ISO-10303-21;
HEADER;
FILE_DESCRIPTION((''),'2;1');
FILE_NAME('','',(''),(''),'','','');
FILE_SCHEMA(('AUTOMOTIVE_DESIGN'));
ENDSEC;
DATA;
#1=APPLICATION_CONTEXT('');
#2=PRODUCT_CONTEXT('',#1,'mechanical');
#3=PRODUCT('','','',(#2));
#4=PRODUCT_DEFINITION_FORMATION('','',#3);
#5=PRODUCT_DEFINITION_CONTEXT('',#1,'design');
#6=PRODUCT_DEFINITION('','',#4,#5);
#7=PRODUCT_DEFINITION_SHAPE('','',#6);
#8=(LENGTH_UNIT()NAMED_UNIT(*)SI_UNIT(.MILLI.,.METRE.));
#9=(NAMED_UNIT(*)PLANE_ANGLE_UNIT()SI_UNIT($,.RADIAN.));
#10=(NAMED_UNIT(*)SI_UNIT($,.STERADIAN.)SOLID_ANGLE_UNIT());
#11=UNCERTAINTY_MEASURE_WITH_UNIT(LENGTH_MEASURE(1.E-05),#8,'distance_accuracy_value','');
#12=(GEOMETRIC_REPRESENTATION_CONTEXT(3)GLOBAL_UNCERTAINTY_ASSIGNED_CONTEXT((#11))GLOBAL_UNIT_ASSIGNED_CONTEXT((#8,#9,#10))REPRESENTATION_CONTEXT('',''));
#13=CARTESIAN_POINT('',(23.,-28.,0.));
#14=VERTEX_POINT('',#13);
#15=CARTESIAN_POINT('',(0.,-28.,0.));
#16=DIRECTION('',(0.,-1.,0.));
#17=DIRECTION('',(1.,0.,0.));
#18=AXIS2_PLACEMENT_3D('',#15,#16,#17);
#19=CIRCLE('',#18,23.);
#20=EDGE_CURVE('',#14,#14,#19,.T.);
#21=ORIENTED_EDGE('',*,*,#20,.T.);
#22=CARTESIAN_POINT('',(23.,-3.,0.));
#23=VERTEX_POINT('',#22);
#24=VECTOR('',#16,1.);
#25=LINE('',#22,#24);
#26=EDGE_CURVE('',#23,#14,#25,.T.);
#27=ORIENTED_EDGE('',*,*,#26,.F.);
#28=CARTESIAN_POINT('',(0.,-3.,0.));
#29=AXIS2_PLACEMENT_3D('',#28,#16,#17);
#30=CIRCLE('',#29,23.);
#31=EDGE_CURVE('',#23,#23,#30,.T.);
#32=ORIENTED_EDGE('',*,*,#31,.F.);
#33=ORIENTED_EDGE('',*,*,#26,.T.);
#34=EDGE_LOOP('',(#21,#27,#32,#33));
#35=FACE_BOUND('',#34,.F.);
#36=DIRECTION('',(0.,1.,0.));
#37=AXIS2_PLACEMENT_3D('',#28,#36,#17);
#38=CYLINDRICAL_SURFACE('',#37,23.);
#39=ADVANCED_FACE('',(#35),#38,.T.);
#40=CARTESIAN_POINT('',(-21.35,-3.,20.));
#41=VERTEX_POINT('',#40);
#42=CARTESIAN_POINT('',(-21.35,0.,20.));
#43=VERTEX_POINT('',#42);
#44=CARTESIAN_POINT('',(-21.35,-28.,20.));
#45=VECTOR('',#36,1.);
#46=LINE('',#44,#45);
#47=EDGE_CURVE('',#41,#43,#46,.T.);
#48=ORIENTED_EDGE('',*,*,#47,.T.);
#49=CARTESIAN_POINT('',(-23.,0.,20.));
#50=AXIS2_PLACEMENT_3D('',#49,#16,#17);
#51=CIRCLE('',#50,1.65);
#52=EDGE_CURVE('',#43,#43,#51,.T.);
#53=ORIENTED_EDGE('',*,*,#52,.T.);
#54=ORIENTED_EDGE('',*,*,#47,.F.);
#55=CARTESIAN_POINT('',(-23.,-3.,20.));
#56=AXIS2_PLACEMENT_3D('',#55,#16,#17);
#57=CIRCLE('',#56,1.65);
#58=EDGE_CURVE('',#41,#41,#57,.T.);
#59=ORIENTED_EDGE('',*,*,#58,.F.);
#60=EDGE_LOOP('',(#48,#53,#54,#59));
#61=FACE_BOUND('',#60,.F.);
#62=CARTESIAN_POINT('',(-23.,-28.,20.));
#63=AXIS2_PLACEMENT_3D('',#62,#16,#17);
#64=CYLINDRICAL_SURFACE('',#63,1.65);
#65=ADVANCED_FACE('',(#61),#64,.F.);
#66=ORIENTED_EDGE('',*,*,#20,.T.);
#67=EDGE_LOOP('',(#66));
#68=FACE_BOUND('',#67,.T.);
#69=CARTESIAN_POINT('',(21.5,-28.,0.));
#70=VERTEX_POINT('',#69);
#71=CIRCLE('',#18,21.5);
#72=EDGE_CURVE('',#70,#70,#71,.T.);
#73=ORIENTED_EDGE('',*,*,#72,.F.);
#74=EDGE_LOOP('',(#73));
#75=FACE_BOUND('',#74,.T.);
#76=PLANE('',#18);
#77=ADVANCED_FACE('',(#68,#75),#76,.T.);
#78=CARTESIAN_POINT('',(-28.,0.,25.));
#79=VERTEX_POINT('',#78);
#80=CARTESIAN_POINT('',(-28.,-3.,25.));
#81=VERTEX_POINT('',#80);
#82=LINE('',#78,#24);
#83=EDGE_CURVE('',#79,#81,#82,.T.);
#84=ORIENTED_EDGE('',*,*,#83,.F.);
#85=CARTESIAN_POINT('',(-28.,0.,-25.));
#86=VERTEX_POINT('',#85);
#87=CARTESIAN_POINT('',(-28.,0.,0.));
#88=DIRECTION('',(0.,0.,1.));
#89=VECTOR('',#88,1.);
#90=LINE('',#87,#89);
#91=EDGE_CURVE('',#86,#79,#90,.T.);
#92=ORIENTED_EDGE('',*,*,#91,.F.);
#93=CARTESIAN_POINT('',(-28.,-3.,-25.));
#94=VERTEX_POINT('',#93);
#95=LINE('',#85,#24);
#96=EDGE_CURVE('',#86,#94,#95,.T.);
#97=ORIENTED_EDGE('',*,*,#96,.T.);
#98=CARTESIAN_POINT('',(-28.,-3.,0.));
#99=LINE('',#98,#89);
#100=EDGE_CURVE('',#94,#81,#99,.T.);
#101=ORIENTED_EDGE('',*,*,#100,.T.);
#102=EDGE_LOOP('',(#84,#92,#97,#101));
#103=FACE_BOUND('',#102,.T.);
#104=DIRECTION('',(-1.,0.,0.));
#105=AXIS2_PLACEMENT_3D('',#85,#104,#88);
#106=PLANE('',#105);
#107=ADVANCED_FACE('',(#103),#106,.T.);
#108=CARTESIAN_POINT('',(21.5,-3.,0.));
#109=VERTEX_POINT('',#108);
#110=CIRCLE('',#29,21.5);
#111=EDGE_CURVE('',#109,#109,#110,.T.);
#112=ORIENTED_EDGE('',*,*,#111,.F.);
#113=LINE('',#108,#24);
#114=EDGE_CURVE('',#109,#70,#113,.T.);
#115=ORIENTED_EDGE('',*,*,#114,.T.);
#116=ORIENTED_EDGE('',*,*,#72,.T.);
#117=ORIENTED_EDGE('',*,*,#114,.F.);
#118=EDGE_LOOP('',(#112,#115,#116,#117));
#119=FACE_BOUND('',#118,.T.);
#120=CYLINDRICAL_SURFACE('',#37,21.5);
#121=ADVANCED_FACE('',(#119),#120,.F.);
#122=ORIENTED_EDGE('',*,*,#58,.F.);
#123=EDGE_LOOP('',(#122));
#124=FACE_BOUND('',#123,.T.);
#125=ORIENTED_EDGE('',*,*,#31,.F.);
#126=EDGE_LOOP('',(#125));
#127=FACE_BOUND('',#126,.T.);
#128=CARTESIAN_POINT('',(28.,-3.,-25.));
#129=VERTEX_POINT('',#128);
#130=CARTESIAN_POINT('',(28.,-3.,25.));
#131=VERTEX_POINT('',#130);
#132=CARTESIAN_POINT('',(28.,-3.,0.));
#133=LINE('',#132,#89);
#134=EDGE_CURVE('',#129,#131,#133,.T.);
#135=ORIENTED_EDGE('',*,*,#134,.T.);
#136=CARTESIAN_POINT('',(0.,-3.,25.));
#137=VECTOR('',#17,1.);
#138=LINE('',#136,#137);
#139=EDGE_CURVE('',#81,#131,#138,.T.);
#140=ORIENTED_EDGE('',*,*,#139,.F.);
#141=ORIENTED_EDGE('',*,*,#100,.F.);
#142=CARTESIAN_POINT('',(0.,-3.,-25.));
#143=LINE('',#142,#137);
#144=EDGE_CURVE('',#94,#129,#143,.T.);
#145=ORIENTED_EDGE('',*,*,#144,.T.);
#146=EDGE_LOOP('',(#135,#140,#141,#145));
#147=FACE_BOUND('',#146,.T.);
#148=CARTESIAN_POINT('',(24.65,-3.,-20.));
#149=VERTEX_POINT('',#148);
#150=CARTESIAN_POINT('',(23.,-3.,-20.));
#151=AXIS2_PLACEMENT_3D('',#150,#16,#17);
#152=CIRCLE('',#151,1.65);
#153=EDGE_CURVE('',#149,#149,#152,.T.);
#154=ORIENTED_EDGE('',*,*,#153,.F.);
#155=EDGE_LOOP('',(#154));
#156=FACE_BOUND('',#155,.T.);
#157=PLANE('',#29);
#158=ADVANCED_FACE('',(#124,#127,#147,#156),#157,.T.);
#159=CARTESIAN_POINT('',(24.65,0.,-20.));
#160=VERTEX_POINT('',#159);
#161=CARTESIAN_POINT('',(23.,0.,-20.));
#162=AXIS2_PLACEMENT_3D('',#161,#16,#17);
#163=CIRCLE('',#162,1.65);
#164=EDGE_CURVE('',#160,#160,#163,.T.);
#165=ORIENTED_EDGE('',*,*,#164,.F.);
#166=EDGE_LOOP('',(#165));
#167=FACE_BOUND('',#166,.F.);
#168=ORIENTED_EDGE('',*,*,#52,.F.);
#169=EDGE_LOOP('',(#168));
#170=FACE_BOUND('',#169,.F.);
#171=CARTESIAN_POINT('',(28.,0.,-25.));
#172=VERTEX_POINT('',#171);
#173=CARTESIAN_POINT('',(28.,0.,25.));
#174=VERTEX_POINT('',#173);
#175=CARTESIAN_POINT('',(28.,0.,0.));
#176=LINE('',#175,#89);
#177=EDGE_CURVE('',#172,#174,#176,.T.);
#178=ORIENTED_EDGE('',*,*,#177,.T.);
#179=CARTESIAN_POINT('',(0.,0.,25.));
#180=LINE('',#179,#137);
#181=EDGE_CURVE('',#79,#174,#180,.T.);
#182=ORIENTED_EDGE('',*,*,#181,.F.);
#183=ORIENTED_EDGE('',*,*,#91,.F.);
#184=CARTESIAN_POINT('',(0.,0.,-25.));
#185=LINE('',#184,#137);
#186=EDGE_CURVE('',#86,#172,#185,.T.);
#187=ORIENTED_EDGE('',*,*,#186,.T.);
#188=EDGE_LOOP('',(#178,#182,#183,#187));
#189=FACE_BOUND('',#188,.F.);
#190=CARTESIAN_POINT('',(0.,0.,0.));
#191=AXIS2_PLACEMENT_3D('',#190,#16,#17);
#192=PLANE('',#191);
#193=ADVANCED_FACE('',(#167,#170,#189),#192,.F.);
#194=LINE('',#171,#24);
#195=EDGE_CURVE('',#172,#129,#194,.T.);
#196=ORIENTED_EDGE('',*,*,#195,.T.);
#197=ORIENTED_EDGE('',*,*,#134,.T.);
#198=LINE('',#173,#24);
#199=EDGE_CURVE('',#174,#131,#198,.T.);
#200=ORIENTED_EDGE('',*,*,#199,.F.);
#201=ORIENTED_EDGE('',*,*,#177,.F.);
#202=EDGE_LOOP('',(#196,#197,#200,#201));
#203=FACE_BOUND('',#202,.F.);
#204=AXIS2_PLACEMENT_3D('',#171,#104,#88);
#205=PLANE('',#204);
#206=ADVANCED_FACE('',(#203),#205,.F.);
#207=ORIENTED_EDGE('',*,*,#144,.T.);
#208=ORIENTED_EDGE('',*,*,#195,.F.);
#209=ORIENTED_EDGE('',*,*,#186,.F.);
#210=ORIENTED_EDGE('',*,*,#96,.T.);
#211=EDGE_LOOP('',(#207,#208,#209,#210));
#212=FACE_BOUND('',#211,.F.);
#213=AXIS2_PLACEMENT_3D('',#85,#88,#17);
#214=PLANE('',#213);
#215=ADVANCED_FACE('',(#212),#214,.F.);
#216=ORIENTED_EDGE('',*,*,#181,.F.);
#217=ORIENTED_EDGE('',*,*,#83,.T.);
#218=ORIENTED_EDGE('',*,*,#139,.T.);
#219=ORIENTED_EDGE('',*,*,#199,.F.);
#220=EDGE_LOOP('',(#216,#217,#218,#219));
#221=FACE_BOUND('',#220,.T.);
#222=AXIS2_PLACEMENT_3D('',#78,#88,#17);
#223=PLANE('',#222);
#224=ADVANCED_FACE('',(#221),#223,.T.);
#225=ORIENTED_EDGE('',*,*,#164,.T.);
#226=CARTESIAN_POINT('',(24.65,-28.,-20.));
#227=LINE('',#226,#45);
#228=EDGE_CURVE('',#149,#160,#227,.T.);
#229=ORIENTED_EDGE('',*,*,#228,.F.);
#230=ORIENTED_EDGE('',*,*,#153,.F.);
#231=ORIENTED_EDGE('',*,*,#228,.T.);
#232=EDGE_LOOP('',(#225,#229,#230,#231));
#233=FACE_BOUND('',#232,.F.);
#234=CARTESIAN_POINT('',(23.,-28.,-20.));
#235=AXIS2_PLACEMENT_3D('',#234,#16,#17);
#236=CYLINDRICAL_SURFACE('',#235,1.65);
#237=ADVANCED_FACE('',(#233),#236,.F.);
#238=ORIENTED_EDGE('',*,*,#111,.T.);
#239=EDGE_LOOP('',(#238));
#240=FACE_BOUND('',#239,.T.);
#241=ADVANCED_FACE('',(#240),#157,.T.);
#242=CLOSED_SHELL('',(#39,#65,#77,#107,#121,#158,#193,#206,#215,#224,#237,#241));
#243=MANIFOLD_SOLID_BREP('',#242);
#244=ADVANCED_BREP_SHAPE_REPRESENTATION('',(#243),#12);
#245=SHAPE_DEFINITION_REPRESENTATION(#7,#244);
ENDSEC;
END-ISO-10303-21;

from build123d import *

# Parameters (mm, degrees)
F0_W     = 56
F0_H     = 50
F0_R     = 1.65
F0_R_2   = 23
F0_R_3   = 21.5
F1_DEPTH = 28
F2_R     = 21.5
F3_DEPTH = 25
F4_R     = 1.65
F5_DEPTH = 28.001
F7_DEPTH = 25
F6_R     = 23
F6_R_2   = 21.5
F8_DEPTH = 25


with BuildPart() as f1:
    # F0 (on Front) → F1 (new body)
    with BuildSketch(Plane.XZ):
        Rectangle(F0_W, F0_H)
        with Locations((23, -20)):
            Circle(F0_R, mode=Mode.SUBTRACT)
        with Locations((-23, 20)):
            Circle(F0_R, mode=Mode.SUBTRACT)
        Circle(F0_R_2, mode=Mode.SUBTRACT)
        Circle(F0_R_2)
        Circle(F0_R_3, mode=Mode.SUBTRACT)
        Circle(F0_R_3)
        with Locations((23, -20)):
            Circle(F0_R)
        with Locations((-23, 20)):
            Circle(F0_R)
    extrude(amount=F1_DEPTH)

    # F2 (on face) → F3 (cut)
    with BuildSketch(Plane.XZ.offset(28)):
        Circle(F2_R)
    extrude(amount=-F3_DEPTH, mode=Mode.SUBTRACT)

    # F4 (on face) → F5 (cut, through all)
    with BuildSketch(Plane.XZ.offset(28)):
        with Locations((-23, 20)):
            Circle(F4_R)
        with Locations((23, -20)):
            Circle(F4_R)
    extrude(amount=-F5_DEPTH, mode=Mode.SUBTRACT)

    # F7 (cut): a face of the model
    f7_faces = [f1.faces().sort_by_distance(p)[0] for p in [
        (0, -28, -24.2492670248),
    ]]
    extrude(f7_faces, amount=-F7_DEPTH, mode=Mode.SUBTRACT)

    # F6 (on face) → F8 (join)
    with BuildSketch(Plane.XZ.offset(3)):
        Circle(F6_R)
        Circle(F6_R_2, mode=Mode.SUBTRACT)
    extrude(amount=F8_DEPTH)


solid = f1.part
